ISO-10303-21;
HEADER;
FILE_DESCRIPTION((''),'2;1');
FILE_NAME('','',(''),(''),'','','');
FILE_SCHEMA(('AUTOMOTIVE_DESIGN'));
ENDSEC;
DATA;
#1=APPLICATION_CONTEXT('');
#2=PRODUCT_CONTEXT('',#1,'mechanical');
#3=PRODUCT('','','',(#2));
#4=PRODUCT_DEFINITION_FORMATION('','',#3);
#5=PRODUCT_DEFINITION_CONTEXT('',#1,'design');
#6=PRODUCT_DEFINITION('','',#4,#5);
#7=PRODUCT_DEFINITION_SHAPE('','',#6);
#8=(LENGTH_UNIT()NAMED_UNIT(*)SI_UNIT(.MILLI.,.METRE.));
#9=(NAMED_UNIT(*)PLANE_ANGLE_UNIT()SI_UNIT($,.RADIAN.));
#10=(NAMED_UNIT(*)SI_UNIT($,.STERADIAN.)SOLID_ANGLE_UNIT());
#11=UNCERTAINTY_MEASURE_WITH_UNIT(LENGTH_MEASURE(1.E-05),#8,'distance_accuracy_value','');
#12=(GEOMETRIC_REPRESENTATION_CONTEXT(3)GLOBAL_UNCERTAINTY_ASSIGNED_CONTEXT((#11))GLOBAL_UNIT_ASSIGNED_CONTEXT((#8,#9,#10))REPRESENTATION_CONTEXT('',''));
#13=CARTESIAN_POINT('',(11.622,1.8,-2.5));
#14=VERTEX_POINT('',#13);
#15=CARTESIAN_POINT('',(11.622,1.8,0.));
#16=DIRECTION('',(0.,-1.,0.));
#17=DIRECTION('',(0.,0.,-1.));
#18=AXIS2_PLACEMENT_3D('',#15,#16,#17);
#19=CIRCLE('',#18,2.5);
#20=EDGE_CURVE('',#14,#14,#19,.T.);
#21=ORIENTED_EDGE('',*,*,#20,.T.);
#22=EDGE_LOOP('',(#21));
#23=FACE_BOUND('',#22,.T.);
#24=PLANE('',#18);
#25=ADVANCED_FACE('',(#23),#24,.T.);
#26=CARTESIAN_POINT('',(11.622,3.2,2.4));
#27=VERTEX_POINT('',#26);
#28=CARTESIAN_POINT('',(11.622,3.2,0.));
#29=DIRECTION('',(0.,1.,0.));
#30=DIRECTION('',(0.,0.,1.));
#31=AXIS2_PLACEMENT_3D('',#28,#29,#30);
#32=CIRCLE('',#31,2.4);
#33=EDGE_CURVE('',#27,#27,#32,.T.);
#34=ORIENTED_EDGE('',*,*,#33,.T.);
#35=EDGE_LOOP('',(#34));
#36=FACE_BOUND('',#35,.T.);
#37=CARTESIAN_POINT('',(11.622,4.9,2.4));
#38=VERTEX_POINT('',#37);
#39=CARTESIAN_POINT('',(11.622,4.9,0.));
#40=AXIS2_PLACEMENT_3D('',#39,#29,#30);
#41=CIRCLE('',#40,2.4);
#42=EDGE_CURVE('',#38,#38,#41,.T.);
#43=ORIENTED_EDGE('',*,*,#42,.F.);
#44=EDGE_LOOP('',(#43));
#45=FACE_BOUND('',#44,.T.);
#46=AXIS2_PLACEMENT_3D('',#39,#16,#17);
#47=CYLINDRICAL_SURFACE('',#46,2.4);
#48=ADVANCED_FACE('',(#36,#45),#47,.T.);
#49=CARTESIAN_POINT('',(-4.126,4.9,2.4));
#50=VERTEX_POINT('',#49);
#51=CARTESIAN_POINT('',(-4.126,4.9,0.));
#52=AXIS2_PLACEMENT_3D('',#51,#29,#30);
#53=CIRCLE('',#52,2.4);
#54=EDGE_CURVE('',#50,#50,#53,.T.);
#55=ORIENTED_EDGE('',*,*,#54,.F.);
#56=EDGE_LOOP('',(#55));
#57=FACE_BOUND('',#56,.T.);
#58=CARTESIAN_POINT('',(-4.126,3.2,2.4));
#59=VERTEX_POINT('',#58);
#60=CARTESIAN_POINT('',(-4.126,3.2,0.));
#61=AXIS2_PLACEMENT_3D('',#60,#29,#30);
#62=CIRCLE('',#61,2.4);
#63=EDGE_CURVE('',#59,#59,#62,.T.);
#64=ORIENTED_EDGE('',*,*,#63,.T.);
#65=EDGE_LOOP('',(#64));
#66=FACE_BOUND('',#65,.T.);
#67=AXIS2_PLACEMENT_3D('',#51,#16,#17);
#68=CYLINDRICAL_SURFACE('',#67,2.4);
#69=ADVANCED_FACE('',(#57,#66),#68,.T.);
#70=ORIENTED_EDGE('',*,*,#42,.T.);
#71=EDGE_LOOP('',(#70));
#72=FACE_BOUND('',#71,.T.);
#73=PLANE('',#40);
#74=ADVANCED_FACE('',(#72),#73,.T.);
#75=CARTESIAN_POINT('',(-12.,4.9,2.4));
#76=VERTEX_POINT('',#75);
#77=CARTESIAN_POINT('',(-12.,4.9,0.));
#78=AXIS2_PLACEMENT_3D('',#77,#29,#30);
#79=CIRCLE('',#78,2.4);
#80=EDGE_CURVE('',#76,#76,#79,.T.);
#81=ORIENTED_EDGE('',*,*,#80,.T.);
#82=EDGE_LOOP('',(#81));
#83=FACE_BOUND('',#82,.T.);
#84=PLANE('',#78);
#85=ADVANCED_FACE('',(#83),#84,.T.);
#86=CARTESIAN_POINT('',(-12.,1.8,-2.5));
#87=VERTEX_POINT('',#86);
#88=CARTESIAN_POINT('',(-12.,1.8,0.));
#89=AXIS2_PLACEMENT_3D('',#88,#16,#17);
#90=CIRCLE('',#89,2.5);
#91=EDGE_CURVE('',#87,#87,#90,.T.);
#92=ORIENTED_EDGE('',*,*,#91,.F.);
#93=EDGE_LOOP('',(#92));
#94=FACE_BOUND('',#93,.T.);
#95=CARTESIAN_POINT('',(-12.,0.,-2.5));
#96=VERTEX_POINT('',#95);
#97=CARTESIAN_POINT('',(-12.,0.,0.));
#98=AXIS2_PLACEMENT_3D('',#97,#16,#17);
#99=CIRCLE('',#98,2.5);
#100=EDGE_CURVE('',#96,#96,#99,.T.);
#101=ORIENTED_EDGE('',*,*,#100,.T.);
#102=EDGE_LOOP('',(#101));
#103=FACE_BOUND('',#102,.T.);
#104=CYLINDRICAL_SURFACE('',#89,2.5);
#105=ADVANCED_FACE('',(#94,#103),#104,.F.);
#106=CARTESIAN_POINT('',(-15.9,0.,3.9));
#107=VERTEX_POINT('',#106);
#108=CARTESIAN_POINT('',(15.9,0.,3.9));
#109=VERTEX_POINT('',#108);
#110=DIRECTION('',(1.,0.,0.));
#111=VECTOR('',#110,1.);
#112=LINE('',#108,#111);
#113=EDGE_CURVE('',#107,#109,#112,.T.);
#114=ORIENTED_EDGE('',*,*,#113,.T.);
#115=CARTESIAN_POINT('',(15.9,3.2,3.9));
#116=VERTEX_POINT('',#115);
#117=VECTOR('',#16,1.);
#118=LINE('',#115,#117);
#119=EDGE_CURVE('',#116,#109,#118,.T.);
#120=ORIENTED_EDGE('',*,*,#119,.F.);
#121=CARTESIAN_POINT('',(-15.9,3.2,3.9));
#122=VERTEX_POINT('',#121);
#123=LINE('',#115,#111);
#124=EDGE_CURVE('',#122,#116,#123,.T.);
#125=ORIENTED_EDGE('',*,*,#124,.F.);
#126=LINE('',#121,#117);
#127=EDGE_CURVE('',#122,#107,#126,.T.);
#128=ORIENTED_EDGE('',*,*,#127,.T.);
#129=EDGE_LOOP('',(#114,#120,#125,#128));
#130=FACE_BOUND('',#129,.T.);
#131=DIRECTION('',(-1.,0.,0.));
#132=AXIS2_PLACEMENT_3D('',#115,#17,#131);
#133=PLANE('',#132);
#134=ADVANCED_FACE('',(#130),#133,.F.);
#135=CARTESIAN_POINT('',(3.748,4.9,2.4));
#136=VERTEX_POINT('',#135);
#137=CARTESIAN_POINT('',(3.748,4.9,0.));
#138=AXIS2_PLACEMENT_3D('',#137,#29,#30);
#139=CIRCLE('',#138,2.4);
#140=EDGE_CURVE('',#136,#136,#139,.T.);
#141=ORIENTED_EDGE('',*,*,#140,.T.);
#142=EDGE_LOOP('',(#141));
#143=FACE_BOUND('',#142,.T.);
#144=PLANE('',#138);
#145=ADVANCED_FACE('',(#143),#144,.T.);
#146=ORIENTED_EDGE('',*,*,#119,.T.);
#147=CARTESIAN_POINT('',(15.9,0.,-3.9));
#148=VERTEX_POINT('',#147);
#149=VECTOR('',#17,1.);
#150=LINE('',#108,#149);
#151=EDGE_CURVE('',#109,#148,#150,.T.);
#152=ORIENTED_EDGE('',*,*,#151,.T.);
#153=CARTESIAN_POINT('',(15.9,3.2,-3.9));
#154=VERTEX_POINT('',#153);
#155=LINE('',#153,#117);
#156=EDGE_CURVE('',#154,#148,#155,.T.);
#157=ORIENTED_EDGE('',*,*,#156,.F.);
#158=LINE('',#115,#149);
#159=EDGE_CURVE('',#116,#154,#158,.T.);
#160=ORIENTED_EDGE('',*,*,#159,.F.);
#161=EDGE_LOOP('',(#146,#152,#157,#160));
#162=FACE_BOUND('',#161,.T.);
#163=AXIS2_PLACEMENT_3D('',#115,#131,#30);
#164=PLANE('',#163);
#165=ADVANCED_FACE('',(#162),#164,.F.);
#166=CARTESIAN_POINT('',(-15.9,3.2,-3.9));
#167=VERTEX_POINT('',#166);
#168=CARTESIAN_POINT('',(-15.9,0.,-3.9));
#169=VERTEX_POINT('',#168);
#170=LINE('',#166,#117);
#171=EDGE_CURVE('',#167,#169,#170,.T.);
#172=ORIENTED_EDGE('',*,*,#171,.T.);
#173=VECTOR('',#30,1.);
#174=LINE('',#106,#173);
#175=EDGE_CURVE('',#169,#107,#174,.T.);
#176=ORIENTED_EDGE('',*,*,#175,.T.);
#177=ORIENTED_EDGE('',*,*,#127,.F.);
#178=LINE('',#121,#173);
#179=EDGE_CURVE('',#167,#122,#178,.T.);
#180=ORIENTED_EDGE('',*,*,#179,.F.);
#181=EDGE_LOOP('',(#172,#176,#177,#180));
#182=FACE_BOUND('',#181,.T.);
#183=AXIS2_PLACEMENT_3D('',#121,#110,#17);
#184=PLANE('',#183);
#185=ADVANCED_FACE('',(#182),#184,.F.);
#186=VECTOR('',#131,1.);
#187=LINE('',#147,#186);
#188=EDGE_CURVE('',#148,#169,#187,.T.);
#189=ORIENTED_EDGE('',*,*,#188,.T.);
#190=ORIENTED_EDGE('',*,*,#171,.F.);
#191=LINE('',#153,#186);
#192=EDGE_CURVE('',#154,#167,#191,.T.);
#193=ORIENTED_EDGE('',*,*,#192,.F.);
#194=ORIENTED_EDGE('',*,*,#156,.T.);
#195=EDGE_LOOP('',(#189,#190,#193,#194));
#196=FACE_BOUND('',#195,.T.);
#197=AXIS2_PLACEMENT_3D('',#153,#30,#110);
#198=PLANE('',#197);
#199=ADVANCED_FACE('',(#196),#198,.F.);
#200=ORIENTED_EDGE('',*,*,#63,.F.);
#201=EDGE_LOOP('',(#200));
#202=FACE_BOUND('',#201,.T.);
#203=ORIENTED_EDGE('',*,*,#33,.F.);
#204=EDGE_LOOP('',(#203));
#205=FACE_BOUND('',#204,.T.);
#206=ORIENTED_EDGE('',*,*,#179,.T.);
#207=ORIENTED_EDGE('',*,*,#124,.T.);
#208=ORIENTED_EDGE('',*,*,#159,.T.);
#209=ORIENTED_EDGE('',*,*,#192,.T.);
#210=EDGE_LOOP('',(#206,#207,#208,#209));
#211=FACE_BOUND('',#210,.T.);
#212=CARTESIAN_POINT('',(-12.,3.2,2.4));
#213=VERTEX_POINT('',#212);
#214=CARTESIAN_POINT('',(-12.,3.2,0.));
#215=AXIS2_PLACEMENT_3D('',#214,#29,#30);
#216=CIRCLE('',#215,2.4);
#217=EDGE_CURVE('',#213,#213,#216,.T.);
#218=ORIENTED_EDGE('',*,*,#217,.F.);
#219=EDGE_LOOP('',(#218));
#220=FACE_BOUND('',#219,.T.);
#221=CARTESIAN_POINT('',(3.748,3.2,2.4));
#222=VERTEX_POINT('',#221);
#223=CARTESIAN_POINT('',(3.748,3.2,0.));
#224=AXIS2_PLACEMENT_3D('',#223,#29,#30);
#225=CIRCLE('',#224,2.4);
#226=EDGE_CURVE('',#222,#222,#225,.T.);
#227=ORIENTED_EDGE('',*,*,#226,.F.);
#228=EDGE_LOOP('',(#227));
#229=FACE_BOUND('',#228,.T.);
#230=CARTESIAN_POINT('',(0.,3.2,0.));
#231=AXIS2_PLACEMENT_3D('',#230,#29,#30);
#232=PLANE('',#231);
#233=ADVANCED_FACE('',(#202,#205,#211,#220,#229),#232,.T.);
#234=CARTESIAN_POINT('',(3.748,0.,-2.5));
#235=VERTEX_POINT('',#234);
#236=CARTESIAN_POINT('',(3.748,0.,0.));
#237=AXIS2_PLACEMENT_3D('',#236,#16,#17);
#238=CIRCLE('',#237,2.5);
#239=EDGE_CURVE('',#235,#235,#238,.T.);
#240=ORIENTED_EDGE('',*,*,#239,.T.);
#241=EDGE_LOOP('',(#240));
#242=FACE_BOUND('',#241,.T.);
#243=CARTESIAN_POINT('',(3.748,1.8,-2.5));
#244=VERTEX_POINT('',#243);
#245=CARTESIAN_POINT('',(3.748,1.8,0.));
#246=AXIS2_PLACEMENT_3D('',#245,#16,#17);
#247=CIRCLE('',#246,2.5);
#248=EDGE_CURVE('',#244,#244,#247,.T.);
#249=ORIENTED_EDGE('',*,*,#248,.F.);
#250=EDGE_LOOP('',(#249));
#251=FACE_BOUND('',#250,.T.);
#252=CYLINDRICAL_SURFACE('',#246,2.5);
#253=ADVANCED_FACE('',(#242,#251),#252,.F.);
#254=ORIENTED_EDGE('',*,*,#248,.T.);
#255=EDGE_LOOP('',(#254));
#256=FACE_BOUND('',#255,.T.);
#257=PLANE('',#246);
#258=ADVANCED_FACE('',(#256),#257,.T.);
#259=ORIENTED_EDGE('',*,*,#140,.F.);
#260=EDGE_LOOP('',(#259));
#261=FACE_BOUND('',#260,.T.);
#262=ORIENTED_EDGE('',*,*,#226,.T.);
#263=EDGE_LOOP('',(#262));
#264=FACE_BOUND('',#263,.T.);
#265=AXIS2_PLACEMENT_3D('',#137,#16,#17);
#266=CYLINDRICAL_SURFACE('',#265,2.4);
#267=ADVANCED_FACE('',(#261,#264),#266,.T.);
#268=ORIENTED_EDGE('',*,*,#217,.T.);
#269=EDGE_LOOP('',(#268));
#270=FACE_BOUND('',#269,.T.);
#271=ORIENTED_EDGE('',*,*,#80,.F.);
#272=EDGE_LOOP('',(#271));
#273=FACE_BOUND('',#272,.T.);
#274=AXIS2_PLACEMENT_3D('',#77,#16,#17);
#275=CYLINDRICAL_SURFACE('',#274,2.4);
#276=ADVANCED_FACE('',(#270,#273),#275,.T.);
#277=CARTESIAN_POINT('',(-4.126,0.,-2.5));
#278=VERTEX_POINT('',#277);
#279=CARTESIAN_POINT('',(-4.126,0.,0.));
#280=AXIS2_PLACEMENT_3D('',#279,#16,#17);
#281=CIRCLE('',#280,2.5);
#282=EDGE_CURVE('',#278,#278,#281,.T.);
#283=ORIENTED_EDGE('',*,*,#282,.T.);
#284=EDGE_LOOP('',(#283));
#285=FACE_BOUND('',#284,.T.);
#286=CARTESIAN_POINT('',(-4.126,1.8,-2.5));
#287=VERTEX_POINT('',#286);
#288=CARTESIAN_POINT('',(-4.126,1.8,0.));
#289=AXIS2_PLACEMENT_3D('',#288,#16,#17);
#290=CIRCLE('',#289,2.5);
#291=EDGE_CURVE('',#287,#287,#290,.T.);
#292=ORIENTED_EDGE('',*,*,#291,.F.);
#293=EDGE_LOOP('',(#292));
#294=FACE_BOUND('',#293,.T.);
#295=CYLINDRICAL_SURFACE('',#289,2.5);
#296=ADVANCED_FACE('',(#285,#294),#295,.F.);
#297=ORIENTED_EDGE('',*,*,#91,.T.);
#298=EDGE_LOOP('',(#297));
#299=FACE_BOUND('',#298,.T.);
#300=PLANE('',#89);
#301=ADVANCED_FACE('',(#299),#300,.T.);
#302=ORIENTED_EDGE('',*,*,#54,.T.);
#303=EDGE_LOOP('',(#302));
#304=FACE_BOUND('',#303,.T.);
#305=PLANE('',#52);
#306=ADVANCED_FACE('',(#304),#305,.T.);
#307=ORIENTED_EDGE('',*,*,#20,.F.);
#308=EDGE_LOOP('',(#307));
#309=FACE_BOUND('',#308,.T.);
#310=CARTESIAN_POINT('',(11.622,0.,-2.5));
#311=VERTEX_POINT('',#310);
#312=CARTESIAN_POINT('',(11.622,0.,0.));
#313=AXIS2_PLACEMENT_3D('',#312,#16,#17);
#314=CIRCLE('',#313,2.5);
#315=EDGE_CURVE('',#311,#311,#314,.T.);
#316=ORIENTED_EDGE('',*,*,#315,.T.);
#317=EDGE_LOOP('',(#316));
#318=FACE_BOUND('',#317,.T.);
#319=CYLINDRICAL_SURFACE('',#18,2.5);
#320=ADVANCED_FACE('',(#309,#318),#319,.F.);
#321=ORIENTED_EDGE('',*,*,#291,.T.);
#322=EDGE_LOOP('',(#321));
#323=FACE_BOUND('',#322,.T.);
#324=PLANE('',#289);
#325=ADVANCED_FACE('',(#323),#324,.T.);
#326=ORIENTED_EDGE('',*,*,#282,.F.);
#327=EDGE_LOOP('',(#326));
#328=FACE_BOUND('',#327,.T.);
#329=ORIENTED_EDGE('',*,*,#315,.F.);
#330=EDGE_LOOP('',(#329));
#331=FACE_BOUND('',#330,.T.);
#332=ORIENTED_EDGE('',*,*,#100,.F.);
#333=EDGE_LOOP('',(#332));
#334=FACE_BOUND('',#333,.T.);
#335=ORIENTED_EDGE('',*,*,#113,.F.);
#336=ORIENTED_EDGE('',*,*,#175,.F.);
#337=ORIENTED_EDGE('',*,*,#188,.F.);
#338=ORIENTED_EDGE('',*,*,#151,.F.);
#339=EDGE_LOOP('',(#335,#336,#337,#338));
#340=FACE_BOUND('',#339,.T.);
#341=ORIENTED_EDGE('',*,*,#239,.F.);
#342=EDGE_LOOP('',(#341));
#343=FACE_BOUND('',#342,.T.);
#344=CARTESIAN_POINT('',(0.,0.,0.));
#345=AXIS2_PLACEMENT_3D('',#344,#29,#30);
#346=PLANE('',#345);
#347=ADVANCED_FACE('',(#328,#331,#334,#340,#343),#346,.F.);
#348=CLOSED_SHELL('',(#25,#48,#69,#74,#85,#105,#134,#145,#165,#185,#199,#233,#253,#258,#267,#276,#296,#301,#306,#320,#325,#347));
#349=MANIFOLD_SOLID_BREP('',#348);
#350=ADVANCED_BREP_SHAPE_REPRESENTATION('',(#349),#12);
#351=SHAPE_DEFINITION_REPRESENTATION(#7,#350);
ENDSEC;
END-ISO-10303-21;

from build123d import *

# Parameters (mm, degrees)
SKETCH_1_W          = 31.8
SKETCH_1_H          = 7.8
EXTRUDE_1_DEPTH     = 3.2
SKETCH_2_R          = 2.4
EXTRUDE_2_DEPTH     = 1.7
SKETCH_3_R          = 2.5
CUT_EXTRUDE_1_DEPTH = 1.8


with BuildPart() as part:
    # Эскиз1 → Бобышка-Вытянуть1 (new body)
    with BuildSketch(Plane(origin=(0, 0, 0), x_dir=(1, 0, 0), z_dir=(0, 1, 0))):
        Rectangle(SKETCH_1_W, SKETCH_1_H)
    extrude(amount=EXTRUDE_1_DEPTH)

    # Эскиз2 → Бобышка-Вытянуть2 (add)
    with BuildSketch(Plane(origin=(0, 3.2, 0), x_dir=(1, 0, 0), z_dir=(0, 1, 0))):
        with Locations(Location((-12, 0, 0), (0, 0, 270))):
            Circle(SKETCH_2_R)
        with Locations(Location((-4.126, 0, 0), (0, 0, 270))):
            Circle(SKETCH_2_R)
        with Locations(Location((3.748, 0, 0), (0, 0, 270))):
            Circle(SKETCH_2_R)
        with Locations(Location((11.622, 0, 0), (0, 0, 270))):
            Circle(SKETCH_2_R)
    extrude(amount=EXTRUDE_2_DEPTH)

    # Эскиз3 → Вырез-Вытянуть1 (cut)
    with BuildSketch(Plane.XZ):
        with Locations(Location((-12, 0, 0), (0, 0, 270))):
            Circle(SKETCH_3_R)
        with Locations(Location((-4.126, 0, 0), (0, 0, 270))):
            Circle(SKETCH_3_R)
        with Locations(Location((3.748, 0, 0), (0, 0, 270))):
            Circle(SKETCH_3_R)
        with Locations(Location((11.622, 0, 0), (0, 0, 270))):
            Circle(SKETCH_3_R)
    extrude(amount=-CUT_EXTRUDE_1_DEPTH, mode=Mode.SUBTRACT)


solid = part.part
